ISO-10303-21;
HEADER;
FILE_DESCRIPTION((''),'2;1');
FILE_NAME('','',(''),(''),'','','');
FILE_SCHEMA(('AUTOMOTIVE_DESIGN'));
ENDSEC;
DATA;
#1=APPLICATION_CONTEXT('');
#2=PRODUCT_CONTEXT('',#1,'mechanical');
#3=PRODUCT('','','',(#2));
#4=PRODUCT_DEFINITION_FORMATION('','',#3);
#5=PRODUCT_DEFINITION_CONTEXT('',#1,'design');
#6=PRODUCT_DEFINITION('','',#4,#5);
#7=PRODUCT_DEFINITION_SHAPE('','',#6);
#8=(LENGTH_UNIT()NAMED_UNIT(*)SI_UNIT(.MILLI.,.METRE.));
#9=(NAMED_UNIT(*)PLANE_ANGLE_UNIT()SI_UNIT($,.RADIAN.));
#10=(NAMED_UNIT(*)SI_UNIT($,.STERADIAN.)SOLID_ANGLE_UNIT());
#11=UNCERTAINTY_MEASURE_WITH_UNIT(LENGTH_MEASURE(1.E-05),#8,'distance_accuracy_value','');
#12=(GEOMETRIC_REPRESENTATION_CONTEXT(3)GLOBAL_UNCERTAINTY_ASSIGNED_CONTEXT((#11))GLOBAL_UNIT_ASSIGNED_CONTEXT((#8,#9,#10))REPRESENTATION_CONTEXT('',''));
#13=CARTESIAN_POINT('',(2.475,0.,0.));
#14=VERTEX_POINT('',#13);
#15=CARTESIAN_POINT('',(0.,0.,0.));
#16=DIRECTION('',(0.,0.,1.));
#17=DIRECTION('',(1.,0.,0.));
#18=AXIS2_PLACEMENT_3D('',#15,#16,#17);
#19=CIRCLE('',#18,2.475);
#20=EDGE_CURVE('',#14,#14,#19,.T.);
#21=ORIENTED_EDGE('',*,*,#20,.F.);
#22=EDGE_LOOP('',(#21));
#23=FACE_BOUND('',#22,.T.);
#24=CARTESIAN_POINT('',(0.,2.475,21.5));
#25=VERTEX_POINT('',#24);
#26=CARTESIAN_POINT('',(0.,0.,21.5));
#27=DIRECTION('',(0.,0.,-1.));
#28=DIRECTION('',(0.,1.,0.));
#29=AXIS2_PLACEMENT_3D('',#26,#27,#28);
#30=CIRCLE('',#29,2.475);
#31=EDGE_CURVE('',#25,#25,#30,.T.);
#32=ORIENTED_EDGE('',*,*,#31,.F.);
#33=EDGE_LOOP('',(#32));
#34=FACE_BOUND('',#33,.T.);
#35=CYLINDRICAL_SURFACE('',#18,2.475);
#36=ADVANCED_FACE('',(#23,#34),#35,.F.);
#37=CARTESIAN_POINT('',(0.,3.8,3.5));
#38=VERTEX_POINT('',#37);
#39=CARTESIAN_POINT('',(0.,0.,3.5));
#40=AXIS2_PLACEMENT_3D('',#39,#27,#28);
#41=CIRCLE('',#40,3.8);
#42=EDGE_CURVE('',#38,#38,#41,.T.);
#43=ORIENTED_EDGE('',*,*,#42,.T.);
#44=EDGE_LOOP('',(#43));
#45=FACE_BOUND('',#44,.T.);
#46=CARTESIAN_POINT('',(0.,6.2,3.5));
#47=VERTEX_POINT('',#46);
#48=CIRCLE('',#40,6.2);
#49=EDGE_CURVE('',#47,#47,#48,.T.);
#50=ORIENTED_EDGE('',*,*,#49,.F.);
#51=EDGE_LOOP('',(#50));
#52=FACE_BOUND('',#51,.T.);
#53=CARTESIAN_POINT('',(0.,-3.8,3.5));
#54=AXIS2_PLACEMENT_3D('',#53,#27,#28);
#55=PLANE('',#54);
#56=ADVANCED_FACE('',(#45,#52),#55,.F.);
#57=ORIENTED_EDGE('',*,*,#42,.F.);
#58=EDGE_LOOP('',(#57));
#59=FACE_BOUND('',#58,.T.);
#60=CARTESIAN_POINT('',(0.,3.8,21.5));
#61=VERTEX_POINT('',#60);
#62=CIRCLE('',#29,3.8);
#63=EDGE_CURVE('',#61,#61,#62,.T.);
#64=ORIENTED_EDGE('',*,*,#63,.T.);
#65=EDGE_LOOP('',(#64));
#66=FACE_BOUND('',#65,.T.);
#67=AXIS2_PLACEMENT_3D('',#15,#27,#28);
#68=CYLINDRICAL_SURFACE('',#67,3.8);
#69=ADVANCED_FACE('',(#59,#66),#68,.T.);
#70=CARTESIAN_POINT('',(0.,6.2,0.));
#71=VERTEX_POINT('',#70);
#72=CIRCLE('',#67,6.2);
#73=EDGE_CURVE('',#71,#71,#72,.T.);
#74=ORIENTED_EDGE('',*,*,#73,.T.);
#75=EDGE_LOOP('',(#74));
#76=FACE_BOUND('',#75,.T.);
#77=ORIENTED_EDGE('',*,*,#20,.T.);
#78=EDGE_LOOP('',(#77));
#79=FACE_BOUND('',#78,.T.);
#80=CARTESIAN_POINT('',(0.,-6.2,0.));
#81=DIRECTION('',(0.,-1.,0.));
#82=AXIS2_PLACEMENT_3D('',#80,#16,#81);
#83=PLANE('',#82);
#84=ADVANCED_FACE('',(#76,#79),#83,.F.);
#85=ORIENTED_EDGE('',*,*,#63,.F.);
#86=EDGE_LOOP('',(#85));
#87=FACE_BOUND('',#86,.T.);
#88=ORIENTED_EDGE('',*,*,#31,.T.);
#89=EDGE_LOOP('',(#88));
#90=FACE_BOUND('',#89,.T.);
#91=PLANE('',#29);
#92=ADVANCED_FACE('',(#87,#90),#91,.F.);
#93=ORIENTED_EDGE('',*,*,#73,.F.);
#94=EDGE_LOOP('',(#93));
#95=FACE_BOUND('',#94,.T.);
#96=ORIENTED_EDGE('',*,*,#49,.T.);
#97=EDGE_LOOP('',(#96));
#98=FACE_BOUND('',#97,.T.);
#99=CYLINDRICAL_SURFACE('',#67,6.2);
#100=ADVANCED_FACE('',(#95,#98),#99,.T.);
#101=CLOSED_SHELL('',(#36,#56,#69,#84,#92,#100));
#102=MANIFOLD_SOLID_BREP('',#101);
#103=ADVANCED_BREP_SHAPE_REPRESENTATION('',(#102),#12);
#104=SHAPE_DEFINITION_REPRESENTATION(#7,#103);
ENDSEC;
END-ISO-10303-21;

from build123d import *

# Parameters (mm, degrees)
CUT_EXTRUDE1_DEPTH      = 24.219173112
CUT_EXTRUDE1_DEPTH_BACK = 24.219173112
SKETCH3_R               = 2.475


with BuildPart() as part:
    # Sketch1 → Revolve1 (revolve)
    with BuildSketch(Plane(origin=(0, 0, 0), x_dir=(0, 0, -1), z_dir=(1, 0, 0)), mode=Mode.PRIVATE) as revolve1_sk:
        Polygon((0, 0), (-21.5, 0), (-21.5, -3.8), (-3.5, -3.8), (-3.5, -6.2), (0, -6.2), align=None)
    revolve(revolve1_sk.sketch.rotate(Axis((0, 0, 0), (0, 0, 1)), 180), axis=Axis((0, 0, 0), (0, 0, 1)))

    # Sketch3 → Cut-Extrude1 (cut, two sides: drawn at the far end of the back side and taken through both)
    with BuildSketch(Plane.XY.offset(21.5).offset(-CUT_EXTRUDE1_DEPTH_BACK)):
        Circle(SKETCH3_R)
    extrude(amount=CUT_EXTRUDE1_DEPTH + CUT_EXTRUDE1_DEPTH_BACK, mode=Mode.SUBTRACT)


solid = part.part
